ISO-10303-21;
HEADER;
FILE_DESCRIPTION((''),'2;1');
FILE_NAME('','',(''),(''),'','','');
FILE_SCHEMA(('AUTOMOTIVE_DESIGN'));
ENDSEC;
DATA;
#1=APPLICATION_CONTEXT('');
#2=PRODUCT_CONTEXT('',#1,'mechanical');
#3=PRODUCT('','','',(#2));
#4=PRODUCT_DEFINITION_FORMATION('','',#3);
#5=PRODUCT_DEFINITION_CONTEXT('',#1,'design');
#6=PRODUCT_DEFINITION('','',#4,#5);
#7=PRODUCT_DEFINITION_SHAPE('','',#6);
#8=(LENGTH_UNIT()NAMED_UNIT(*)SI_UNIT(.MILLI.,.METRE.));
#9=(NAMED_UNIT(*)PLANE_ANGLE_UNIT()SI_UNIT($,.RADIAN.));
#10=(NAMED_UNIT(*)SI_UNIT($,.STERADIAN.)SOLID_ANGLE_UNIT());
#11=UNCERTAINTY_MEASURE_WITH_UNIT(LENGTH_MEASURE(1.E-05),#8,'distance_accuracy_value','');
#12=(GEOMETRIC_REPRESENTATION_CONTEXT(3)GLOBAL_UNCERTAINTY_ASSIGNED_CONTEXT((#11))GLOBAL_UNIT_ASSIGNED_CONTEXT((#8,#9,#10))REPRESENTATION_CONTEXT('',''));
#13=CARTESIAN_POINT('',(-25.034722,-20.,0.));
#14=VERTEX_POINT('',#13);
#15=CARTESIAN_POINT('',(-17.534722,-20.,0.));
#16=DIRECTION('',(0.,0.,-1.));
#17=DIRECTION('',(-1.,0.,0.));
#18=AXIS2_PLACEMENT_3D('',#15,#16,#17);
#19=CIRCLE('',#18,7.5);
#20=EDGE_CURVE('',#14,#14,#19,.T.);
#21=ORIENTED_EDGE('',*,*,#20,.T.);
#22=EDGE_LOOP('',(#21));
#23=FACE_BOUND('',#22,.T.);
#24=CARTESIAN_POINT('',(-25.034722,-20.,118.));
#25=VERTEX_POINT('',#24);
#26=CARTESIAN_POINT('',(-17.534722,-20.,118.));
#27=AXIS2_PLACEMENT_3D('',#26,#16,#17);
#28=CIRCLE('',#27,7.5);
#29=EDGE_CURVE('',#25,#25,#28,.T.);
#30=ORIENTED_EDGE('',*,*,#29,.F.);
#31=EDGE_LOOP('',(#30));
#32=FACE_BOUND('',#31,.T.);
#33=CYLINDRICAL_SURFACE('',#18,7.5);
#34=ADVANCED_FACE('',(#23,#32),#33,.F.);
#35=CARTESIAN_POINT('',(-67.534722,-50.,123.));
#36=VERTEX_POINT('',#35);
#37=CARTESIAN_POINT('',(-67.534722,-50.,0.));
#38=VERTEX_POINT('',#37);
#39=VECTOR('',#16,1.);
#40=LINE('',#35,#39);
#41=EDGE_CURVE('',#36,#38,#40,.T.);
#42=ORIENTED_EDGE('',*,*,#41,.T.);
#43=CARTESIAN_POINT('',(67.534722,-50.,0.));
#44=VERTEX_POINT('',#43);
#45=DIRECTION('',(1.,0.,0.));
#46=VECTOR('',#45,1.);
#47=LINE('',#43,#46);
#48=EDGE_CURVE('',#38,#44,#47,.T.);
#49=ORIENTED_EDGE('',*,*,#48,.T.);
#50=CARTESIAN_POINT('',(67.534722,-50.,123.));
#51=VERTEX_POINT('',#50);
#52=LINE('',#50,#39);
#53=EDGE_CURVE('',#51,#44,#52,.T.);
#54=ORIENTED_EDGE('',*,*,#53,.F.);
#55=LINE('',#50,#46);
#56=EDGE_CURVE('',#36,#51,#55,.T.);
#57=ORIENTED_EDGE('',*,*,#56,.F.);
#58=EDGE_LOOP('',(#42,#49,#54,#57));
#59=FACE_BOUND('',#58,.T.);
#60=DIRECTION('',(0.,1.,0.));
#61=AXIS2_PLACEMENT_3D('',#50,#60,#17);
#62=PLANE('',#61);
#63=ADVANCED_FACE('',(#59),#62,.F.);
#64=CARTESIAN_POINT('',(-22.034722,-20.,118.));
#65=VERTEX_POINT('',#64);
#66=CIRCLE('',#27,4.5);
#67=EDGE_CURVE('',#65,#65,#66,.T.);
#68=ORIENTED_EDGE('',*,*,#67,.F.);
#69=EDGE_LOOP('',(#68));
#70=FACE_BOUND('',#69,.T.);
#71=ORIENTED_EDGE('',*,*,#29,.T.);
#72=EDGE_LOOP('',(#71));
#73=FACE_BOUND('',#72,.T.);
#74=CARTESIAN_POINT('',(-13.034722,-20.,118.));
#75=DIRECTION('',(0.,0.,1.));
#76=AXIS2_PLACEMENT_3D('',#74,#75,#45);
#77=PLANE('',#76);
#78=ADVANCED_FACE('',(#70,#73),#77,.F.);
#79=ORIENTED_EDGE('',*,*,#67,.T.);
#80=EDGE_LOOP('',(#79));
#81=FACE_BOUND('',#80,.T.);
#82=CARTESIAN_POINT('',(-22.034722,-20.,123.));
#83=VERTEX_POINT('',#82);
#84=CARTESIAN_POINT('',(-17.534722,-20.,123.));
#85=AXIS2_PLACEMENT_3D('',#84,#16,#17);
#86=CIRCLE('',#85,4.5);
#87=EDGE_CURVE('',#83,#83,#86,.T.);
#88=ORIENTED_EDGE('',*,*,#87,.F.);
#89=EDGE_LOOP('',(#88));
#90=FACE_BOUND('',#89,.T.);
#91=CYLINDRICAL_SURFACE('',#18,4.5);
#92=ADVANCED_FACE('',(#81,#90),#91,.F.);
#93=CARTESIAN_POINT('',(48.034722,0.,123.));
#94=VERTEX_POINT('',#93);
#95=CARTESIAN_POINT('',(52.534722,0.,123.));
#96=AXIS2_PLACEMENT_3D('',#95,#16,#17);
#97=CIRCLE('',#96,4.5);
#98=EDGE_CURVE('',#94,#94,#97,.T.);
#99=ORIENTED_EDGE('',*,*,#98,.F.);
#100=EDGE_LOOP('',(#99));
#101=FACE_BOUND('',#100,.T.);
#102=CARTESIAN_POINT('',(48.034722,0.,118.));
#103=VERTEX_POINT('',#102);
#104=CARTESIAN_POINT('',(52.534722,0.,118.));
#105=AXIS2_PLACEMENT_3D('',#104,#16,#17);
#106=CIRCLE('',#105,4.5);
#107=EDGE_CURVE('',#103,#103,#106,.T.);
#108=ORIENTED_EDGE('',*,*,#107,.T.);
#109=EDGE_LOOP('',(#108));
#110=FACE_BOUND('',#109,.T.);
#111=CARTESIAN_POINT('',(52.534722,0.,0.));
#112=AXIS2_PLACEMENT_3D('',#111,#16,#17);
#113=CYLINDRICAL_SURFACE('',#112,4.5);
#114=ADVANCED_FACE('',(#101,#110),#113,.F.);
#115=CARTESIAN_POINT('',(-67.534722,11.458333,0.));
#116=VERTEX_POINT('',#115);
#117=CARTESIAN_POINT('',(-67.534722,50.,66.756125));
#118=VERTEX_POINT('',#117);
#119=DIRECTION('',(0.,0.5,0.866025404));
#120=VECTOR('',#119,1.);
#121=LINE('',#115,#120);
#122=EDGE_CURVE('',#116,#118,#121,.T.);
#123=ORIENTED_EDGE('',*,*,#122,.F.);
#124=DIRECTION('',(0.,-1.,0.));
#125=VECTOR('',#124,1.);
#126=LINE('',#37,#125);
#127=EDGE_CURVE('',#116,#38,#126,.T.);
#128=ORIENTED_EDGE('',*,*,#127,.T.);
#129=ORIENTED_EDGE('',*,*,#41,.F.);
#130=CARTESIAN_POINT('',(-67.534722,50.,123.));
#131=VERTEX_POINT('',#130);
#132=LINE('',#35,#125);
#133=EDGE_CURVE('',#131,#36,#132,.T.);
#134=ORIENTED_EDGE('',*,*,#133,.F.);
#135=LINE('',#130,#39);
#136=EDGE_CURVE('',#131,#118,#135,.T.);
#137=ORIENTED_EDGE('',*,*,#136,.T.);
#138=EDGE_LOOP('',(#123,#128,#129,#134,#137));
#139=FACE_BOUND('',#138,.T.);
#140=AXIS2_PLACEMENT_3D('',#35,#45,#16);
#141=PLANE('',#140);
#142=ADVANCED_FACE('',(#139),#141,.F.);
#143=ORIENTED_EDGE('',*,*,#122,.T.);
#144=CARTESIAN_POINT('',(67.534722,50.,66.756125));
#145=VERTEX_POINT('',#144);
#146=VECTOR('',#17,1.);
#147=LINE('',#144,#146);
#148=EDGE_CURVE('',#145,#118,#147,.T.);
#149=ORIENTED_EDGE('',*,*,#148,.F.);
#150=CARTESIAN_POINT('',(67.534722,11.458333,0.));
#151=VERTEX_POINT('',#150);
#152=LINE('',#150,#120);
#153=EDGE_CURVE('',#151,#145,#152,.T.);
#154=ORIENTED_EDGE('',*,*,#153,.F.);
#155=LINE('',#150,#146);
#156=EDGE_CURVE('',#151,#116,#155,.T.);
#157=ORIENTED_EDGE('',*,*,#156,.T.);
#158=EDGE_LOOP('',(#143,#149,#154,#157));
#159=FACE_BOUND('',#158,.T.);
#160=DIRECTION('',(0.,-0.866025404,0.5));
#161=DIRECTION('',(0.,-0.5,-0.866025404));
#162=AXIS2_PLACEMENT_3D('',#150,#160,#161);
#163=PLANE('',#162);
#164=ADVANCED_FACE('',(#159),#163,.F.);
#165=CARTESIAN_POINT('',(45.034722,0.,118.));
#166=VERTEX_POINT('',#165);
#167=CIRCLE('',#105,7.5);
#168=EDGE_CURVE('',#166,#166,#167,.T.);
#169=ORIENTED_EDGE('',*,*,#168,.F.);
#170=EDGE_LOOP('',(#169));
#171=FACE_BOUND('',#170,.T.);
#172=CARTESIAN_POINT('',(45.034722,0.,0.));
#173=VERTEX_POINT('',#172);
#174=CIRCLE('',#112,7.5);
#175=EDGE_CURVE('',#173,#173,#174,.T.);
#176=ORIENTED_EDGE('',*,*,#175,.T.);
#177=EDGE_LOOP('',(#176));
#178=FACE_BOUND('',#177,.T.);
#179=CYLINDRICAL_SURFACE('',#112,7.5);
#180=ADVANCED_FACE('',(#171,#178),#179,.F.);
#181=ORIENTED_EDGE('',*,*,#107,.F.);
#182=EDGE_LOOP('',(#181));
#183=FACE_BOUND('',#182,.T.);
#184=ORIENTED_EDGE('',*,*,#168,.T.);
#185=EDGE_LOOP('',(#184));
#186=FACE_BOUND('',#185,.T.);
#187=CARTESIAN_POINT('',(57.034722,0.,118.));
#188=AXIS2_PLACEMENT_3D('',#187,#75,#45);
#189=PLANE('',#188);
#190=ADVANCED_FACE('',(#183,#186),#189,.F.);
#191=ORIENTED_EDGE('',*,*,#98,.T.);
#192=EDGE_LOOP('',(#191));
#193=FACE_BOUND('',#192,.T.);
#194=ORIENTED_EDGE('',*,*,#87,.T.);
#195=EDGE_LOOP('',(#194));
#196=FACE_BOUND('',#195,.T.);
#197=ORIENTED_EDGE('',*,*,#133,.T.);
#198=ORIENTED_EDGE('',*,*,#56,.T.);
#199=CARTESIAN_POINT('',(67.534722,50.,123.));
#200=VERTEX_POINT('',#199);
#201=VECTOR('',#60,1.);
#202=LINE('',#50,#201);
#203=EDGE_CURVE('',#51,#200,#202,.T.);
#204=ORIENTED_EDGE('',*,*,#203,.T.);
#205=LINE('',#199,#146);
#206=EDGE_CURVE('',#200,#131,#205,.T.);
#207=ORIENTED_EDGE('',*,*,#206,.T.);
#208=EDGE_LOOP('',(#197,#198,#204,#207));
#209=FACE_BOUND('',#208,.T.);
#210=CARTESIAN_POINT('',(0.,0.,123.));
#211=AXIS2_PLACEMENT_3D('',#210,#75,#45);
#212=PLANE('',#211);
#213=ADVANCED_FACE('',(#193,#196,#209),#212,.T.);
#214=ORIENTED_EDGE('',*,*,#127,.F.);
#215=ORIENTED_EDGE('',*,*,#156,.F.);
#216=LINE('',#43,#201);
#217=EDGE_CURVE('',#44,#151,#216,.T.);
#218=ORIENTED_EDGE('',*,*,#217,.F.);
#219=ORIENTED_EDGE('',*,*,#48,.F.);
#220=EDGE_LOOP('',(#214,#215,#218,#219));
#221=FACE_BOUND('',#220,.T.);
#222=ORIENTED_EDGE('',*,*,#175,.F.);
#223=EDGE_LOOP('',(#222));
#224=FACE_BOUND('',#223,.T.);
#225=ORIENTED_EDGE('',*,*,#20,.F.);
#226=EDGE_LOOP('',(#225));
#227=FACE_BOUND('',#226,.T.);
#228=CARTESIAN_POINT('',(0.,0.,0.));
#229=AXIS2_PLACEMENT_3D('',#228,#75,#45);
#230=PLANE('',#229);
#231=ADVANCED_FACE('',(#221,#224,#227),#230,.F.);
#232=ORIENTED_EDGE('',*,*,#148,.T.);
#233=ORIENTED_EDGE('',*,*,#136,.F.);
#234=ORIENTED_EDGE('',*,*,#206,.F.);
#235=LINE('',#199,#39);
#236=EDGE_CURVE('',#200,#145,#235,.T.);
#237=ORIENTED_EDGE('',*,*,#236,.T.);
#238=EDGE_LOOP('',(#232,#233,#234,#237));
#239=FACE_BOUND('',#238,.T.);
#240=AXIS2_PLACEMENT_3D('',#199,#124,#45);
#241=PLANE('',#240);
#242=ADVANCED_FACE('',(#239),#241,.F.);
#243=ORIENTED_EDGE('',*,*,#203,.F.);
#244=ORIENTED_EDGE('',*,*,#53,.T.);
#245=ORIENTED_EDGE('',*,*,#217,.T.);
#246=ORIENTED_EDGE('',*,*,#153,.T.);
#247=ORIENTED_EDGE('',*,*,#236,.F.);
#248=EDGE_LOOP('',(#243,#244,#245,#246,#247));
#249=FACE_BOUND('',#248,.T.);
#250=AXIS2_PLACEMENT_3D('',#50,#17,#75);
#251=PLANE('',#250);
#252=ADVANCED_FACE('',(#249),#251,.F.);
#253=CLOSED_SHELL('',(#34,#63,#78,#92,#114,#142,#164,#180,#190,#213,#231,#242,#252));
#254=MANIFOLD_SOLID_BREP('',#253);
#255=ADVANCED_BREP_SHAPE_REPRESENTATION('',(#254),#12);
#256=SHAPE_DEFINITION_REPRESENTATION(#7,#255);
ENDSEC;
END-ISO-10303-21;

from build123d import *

# Parameters (mm, degrees)
SKIZZE1_W                                           = 135.069444444
SKIZZE1_H                                           = 100
AUFSATZ_LINEAR_AUSTRAGEN1_DEPTH                     = 123
SCHNITT_LINEAR_AUSTRAGEN1_DEPTH                     = 190.401042295
STIRNSENKUNG_F_R_M8_SENKSCHRAUBE_KOPF_B_D           = 9
STIRNSENKUNG_F_R_M8_SENKSCHRAUBE_KOPF_B_CBORE_D     = 15
STIRNSENKUNG_F_R_M8_SENKSCHRAUBE_KOPF_B_CBORE_DEPTH = 118


with BuildPart() as part:
    # Skizze1 → Aufsatz-Linear austragen1 (new body)
    with BuildSketch(Plane.XY):
        Rectangle(SKIZZE1_W, SKIZZE1_H)
    extrude(amount=AUFSATZ_LINEAR_AUSTRAGEN1_DEPTH)

    # Skizze2 → Schnitt-Linear austragen1 (cut, through all)
    with BuildSketch(Plane.ZY.offset(67.534722222)):
        Polygon((0, 11.458333333), (66.756124875, 50), (0, 71.7778768), align=None)
    extrude(amount=-SCHNITT_LINEAR_AUSTRAGEN1_DEPTH, mode=Mode.SUBTRACT)

    # Stirnsenkung für M8 Senkschraube (Kopf Button)1 (through all)
    with Locations(Plane(origin=(0, 0, 0), x_dir=(-1, 0, 0), z_dir=(0, 0, -1))):
        with Locations((-52.534722222, 0), (17.534722222, -20)):
            CounterBoreHole(STIRNSENKUNG_F_R_M8_SENKSCHRAUBE_KOPF_B_D / 2, STIRNSENKUNG_F_R_M8_SENKSCHRAUBE_KOPF_B_CBORE_D / 2, STIRNSENKUNG_F_R_M8_SENKSCHRAUBE_KOPF_B_CBORE_DEPTH)


solid = part.part
